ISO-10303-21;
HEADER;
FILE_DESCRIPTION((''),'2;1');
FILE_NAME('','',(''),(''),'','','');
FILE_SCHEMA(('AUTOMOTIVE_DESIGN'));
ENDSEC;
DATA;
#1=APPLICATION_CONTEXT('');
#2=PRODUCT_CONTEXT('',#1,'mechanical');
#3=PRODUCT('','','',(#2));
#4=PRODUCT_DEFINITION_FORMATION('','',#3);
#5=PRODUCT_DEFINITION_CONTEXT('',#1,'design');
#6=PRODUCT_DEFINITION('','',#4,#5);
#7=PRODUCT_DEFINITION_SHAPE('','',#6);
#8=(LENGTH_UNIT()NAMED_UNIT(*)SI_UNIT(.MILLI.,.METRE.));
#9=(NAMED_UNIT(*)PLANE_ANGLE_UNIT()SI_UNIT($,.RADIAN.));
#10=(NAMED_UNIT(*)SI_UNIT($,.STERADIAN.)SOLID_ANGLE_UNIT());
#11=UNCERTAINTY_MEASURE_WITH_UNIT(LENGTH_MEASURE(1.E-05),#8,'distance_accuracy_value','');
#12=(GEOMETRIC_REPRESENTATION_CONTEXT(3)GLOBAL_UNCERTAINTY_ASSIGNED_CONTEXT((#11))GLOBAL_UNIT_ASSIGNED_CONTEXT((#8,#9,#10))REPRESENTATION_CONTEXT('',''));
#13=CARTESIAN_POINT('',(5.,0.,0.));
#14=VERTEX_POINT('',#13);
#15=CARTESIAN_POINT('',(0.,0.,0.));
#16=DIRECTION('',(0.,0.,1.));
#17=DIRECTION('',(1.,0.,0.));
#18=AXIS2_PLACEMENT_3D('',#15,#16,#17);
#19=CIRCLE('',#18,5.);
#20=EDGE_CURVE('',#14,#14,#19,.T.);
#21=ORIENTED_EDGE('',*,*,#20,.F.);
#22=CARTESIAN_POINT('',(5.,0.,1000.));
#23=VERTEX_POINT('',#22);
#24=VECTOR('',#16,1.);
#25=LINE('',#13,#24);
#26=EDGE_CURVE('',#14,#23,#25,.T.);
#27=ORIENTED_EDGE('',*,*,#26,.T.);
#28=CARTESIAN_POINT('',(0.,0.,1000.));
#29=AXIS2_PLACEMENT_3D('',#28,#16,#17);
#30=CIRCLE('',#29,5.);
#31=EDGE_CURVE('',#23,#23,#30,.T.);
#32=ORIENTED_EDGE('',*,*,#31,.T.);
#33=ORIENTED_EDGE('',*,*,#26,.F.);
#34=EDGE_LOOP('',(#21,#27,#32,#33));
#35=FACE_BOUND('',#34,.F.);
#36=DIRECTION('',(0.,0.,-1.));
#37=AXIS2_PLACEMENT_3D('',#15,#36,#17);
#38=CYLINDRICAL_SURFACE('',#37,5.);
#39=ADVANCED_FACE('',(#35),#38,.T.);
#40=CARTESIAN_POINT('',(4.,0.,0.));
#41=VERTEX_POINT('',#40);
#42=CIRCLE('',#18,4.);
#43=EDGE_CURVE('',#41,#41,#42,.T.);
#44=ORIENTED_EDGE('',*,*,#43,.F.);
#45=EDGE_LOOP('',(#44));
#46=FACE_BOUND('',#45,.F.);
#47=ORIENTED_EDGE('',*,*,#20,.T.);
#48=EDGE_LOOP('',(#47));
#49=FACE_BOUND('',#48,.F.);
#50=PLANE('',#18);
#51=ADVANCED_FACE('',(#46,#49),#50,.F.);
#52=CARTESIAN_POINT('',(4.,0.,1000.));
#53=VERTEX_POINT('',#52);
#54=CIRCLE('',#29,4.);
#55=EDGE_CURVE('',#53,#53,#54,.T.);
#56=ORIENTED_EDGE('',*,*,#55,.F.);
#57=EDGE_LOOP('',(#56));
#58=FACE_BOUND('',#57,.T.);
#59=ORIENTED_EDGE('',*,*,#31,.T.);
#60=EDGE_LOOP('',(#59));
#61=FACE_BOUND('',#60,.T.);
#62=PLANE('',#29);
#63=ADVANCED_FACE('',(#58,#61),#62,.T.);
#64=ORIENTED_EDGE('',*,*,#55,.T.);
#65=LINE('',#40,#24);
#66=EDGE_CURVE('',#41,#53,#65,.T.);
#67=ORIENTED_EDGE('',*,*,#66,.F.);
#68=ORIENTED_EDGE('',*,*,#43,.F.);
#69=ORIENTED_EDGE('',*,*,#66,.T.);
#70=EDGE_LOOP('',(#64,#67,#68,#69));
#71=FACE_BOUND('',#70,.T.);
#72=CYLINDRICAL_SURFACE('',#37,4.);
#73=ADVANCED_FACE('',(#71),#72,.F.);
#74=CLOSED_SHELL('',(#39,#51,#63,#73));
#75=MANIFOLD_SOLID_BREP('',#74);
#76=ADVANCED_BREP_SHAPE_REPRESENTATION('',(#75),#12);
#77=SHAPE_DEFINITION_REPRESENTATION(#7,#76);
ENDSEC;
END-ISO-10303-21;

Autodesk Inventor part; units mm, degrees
ref_plane "YZ Plane" through (0, 0, 0) normal (1, 0, 0) x (0, 1, 0)
ref_plane "XZ Plane" through (0, 0, 0) normal (0, 1, 0) x (-1, 0, 0)
ref_plane "XY Plane" through (0, 0, 0) normal (0, 0, 1) x (1, 0, 0)
sketch "Sketch1" plane through (0, 0, 0) normal (0, 0, 1) x (1, 0, 0)
  circle A0 centre (0, 0) radius 5
  circle A1 centre (0, 0) radius 4
  dimension "d0" = 10
  dimension "d1" = 8
extrude "Extrusion1" add sketch "Sketch1" along normal blind 1000
properties part number "Wingspar metrowy" material "Rubber"
